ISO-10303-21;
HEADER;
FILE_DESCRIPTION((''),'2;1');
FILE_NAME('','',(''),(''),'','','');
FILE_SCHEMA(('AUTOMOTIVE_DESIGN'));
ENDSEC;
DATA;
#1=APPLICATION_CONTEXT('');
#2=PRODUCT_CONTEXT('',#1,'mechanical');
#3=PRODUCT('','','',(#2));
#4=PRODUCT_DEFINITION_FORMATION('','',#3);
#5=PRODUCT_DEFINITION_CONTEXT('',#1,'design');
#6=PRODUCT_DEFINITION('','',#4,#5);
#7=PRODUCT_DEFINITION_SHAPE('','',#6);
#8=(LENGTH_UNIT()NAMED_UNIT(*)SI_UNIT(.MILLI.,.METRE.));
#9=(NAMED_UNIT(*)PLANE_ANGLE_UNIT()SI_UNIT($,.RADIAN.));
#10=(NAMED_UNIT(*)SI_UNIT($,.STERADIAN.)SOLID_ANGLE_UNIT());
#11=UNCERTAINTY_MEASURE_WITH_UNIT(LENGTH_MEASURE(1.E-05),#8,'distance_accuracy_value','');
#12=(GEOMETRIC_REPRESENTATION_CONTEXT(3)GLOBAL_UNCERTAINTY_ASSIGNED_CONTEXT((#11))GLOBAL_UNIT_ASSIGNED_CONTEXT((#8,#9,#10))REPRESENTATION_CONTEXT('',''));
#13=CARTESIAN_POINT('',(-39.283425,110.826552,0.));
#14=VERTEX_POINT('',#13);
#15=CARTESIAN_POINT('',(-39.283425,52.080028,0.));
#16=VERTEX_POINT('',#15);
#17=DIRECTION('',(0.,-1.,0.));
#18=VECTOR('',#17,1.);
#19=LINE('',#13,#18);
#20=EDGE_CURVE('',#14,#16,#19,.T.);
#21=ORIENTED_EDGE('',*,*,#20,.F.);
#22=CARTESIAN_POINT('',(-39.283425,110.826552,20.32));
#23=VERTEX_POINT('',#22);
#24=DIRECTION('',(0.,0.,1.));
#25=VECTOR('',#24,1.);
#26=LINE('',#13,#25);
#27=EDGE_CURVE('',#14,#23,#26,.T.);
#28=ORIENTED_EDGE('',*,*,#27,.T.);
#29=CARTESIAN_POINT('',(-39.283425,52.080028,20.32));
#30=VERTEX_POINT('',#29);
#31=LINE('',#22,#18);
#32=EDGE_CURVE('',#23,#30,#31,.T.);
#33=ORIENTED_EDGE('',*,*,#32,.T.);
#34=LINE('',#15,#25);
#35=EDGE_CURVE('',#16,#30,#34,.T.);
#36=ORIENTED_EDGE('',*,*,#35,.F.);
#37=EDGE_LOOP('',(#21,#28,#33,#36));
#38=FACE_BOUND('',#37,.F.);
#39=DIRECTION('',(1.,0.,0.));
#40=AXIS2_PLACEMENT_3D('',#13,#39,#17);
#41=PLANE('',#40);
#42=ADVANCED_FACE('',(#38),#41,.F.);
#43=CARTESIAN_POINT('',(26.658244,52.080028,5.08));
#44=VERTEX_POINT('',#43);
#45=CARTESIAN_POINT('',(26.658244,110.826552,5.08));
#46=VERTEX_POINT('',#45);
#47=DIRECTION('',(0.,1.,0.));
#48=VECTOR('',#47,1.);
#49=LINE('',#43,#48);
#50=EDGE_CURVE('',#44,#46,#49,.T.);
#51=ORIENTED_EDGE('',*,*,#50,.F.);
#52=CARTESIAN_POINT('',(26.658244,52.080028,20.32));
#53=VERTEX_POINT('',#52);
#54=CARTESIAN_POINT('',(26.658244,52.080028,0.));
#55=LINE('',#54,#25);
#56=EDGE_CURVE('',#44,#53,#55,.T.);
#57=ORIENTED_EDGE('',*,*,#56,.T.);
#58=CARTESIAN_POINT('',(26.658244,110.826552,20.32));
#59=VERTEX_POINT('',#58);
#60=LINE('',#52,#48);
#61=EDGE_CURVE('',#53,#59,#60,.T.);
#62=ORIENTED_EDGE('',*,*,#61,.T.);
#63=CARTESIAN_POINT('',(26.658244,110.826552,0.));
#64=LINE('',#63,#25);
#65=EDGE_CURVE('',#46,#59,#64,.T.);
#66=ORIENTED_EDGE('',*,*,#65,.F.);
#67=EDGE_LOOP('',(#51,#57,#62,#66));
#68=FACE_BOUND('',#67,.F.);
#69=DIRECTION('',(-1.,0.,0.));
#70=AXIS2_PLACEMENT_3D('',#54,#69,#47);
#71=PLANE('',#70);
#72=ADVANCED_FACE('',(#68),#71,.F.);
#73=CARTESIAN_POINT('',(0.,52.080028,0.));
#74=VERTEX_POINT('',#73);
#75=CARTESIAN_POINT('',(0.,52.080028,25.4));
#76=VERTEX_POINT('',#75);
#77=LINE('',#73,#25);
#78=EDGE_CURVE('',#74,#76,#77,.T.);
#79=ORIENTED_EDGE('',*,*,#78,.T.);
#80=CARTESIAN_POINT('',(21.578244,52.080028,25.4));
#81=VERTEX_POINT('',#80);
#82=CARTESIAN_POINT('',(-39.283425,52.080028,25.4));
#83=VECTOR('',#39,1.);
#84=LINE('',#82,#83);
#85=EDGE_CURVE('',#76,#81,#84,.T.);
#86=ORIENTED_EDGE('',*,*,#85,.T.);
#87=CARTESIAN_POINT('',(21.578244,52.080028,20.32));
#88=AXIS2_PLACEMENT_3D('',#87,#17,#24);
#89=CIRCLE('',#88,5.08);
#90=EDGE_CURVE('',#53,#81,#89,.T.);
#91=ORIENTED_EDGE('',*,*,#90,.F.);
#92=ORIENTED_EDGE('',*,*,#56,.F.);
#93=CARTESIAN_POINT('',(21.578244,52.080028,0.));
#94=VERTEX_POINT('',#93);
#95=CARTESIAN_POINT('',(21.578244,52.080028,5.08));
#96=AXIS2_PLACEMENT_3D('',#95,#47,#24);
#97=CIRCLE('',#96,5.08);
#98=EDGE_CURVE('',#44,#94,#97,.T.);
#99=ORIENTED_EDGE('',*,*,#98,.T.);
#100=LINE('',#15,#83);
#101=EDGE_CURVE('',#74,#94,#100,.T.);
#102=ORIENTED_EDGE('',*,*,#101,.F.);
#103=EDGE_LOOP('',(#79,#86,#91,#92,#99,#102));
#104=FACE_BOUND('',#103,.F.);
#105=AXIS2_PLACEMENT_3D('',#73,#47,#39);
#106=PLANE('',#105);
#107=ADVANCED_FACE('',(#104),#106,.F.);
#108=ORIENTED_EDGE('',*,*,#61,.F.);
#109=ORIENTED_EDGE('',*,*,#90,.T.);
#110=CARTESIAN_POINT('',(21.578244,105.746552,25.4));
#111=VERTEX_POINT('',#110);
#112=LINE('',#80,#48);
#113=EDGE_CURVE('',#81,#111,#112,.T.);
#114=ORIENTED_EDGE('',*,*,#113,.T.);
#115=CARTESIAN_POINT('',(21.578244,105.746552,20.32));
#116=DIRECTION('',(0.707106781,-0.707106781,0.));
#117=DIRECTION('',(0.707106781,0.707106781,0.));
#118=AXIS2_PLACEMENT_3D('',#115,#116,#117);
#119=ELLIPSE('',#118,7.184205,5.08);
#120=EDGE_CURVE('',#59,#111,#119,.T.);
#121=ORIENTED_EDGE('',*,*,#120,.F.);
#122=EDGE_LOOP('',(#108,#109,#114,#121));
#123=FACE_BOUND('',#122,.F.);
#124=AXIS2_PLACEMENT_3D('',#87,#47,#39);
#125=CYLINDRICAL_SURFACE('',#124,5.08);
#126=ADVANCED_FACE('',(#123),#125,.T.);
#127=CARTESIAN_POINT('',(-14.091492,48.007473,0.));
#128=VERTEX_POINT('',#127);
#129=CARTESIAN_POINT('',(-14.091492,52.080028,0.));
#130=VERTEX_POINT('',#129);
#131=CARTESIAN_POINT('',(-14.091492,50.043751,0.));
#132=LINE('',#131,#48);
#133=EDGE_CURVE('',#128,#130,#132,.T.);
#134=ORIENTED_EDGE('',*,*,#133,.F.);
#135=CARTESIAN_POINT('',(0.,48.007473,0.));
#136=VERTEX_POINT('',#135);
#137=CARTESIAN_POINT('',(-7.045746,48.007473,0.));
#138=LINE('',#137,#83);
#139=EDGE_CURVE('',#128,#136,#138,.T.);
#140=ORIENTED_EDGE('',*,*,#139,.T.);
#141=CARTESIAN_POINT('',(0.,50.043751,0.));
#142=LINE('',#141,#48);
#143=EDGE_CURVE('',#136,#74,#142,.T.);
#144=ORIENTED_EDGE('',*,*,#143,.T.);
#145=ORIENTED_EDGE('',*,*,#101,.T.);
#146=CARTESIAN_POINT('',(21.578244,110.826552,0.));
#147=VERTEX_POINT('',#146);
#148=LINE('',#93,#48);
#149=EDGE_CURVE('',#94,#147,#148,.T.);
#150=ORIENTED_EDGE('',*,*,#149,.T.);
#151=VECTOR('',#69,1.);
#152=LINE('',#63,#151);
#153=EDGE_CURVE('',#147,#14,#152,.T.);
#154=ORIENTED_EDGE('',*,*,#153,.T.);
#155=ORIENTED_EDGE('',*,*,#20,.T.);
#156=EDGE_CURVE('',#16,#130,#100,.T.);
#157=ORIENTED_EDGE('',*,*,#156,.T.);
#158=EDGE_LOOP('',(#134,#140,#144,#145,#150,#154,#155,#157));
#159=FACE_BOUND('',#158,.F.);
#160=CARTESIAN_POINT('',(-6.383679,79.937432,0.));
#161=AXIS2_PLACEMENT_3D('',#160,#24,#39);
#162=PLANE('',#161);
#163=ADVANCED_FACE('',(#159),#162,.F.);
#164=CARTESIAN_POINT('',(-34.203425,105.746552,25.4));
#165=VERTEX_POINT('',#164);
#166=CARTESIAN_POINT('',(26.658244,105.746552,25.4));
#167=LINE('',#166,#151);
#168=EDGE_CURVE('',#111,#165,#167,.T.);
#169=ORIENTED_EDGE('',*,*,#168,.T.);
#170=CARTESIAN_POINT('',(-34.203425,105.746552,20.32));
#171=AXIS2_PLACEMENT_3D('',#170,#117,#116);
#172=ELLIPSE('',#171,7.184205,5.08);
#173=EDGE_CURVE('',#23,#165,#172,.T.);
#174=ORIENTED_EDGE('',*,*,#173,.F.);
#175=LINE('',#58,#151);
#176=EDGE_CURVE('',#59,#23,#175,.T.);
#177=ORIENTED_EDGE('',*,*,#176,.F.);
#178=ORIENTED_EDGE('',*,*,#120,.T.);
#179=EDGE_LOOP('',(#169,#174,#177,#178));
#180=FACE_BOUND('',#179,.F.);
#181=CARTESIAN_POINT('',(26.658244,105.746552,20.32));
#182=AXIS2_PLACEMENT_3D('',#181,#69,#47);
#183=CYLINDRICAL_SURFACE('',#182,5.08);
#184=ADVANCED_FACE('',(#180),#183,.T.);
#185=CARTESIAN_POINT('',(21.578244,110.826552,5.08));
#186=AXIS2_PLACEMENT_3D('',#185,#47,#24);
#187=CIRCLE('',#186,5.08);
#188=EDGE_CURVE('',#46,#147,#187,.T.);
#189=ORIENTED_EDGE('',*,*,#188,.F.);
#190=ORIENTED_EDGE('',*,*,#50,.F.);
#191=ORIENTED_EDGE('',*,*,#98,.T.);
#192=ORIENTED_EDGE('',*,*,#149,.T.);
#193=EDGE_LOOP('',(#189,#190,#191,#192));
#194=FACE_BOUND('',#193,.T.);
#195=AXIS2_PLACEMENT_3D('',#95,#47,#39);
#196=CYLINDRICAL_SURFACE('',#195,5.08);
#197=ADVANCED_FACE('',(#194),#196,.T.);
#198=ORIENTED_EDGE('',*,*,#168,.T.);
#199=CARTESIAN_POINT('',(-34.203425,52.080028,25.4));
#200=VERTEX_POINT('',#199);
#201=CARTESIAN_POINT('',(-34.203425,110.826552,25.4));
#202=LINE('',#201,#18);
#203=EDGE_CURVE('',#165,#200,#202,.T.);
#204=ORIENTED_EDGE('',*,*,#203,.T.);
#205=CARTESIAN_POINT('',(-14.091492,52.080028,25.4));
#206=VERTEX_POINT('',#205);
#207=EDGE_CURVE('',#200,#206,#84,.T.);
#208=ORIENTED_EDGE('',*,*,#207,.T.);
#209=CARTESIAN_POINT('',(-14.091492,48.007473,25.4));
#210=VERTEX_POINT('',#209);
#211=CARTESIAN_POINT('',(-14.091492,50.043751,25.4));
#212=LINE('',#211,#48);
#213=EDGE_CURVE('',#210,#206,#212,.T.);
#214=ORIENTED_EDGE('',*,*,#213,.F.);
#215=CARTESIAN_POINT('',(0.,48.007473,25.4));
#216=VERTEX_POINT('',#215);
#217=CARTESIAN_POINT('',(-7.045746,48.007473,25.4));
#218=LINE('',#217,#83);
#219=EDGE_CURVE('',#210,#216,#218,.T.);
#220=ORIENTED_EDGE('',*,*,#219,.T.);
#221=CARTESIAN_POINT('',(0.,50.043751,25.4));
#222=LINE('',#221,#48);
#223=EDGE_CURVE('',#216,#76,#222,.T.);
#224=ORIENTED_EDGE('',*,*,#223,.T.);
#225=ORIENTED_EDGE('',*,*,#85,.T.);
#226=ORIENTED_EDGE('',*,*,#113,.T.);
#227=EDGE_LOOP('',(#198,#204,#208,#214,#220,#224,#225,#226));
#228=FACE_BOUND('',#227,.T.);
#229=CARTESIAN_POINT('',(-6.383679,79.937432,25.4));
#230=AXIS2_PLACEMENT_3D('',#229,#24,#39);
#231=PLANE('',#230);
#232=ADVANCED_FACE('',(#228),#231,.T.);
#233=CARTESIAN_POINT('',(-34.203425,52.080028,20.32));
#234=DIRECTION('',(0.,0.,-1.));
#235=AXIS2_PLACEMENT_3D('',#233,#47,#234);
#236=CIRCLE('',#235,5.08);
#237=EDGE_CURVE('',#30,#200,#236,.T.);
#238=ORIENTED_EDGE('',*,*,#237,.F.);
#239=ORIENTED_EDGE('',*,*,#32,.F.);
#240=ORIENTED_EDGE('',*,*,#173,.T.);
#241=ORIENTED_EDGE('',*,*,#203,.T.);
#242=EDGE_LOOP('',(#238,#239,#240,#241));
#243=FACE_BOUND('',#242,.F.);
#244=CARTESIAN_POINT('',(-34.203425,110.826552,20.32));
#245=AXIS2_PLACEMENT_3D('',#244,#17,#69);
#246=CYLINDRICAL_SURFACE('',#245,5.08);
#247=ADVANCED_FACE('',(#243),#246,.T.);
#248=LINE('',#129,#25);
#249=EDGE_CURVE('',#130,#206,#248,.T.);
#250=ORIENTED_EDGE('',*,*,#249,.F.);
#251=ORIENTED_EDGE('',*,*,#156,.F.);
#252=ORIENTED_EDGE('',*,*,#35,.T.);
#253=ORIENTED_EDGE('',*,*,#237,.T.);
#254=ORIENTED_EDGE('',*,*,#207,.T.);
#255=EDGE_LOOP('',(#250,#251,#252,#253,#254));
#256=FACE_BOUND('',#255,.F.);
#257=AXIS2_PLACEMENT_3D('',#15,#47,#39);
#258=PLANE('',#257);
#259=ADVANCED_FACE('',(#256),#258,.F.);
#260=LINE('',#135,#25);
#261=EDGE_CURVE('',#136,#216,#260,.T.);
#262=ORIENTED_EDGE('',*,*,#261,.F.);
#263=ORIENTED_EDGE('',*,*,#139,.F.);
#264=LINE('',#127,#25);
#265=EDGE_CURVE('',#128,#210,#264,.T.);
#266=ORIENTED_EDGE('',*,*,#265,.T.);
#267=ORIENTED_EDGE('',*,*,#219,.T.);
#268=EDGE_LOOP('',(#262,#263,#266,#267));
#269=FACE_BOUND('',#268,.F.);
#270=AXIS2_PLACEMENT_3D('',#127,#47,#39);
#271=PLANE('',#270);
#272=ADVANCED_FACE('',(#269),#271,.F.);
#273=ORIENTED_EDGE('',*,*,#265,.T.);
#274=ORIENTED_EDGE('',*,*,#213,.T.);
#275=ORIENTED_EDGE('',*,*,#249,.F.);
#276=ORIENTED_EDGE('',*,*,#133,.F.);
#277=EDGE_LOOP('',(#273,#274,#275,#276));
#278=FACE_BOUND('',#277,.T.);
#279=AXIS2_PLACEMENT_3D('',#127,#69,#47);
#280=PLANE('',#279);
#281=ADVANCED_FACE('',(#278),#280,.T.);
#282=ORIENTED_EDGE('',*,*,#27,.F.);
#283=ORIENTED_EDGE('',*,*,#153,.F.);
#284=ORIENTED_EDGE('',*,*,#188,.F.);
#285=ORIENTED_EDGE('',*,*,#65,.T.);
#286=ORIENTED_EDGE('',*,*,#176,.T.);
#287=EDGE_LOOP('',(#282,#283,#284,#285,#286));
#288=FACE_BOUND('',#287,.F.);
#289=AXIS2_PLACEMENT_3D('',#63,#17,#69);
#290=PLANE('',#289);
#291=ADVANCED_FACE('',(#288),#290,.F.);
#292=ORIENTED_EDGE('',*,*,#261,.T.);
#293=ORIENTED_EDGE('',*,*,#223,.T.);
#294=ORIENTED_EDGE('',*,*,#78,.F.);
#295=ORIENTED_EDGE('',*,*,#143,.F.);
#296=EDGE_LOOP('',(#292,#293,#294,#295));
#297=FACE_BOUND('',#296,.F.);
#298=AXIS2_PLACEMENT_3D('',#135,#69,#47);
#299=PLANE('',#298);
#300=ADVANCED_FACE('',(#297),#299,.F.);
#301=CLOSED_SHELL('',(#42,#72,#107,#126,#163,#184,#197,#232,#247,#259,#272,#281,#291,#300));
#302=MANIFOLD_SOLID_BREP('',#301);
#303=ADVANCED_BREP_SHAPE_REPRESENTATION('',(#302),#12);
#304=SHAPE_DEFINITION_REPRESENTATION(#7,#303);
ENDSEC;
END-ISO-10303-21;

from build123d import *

# Parameters (mm, degrees)
F0_W     = 14.0914916992
F0_H     = 13.3883208036
F0_H_2   = 4.0725544095
F1_DEPTH = 25.4
F2_R     = 5.08


with BuildPart() as f1:
    # F0 (on Top) → F1 (new body)
    with BuildSketch(Plane.XY):
        Polygon((-14.0914916992, 52.0800277591), (-14.0914916992, 65.4683485627), (0, 65.4683485627), (0, 52.0800277591), (26.658244431, 52.0800277591), (26.658244431, 110.8265519142), (-39.2834246159, 110.8265519142), (-39.2834246159, 52.0800277591), align=None)
        with Locations((-7.0457458496, 58.7741881609)):
            Rectangle(F0_W, F0_H)
        with Locations((-7.0457458496, 50.0437505543)):
            Rectangle(F0_W, F0_H_2)
    extrude(amount=F1_DEPTH)

    # F2
    f2_edges = [f1.edges().sort_by_distance(p)[0] for p in [
        (26.658244, 81.45329, 25.4),
        (26.658244, 81.45329, 0),
        (-39.283425, 81.45329, 25.4),
        (-6.31259, 110.826552, 25.4),
    ]]
    fillet(f2_edges, radius=F2_R)


solid = f1.part
